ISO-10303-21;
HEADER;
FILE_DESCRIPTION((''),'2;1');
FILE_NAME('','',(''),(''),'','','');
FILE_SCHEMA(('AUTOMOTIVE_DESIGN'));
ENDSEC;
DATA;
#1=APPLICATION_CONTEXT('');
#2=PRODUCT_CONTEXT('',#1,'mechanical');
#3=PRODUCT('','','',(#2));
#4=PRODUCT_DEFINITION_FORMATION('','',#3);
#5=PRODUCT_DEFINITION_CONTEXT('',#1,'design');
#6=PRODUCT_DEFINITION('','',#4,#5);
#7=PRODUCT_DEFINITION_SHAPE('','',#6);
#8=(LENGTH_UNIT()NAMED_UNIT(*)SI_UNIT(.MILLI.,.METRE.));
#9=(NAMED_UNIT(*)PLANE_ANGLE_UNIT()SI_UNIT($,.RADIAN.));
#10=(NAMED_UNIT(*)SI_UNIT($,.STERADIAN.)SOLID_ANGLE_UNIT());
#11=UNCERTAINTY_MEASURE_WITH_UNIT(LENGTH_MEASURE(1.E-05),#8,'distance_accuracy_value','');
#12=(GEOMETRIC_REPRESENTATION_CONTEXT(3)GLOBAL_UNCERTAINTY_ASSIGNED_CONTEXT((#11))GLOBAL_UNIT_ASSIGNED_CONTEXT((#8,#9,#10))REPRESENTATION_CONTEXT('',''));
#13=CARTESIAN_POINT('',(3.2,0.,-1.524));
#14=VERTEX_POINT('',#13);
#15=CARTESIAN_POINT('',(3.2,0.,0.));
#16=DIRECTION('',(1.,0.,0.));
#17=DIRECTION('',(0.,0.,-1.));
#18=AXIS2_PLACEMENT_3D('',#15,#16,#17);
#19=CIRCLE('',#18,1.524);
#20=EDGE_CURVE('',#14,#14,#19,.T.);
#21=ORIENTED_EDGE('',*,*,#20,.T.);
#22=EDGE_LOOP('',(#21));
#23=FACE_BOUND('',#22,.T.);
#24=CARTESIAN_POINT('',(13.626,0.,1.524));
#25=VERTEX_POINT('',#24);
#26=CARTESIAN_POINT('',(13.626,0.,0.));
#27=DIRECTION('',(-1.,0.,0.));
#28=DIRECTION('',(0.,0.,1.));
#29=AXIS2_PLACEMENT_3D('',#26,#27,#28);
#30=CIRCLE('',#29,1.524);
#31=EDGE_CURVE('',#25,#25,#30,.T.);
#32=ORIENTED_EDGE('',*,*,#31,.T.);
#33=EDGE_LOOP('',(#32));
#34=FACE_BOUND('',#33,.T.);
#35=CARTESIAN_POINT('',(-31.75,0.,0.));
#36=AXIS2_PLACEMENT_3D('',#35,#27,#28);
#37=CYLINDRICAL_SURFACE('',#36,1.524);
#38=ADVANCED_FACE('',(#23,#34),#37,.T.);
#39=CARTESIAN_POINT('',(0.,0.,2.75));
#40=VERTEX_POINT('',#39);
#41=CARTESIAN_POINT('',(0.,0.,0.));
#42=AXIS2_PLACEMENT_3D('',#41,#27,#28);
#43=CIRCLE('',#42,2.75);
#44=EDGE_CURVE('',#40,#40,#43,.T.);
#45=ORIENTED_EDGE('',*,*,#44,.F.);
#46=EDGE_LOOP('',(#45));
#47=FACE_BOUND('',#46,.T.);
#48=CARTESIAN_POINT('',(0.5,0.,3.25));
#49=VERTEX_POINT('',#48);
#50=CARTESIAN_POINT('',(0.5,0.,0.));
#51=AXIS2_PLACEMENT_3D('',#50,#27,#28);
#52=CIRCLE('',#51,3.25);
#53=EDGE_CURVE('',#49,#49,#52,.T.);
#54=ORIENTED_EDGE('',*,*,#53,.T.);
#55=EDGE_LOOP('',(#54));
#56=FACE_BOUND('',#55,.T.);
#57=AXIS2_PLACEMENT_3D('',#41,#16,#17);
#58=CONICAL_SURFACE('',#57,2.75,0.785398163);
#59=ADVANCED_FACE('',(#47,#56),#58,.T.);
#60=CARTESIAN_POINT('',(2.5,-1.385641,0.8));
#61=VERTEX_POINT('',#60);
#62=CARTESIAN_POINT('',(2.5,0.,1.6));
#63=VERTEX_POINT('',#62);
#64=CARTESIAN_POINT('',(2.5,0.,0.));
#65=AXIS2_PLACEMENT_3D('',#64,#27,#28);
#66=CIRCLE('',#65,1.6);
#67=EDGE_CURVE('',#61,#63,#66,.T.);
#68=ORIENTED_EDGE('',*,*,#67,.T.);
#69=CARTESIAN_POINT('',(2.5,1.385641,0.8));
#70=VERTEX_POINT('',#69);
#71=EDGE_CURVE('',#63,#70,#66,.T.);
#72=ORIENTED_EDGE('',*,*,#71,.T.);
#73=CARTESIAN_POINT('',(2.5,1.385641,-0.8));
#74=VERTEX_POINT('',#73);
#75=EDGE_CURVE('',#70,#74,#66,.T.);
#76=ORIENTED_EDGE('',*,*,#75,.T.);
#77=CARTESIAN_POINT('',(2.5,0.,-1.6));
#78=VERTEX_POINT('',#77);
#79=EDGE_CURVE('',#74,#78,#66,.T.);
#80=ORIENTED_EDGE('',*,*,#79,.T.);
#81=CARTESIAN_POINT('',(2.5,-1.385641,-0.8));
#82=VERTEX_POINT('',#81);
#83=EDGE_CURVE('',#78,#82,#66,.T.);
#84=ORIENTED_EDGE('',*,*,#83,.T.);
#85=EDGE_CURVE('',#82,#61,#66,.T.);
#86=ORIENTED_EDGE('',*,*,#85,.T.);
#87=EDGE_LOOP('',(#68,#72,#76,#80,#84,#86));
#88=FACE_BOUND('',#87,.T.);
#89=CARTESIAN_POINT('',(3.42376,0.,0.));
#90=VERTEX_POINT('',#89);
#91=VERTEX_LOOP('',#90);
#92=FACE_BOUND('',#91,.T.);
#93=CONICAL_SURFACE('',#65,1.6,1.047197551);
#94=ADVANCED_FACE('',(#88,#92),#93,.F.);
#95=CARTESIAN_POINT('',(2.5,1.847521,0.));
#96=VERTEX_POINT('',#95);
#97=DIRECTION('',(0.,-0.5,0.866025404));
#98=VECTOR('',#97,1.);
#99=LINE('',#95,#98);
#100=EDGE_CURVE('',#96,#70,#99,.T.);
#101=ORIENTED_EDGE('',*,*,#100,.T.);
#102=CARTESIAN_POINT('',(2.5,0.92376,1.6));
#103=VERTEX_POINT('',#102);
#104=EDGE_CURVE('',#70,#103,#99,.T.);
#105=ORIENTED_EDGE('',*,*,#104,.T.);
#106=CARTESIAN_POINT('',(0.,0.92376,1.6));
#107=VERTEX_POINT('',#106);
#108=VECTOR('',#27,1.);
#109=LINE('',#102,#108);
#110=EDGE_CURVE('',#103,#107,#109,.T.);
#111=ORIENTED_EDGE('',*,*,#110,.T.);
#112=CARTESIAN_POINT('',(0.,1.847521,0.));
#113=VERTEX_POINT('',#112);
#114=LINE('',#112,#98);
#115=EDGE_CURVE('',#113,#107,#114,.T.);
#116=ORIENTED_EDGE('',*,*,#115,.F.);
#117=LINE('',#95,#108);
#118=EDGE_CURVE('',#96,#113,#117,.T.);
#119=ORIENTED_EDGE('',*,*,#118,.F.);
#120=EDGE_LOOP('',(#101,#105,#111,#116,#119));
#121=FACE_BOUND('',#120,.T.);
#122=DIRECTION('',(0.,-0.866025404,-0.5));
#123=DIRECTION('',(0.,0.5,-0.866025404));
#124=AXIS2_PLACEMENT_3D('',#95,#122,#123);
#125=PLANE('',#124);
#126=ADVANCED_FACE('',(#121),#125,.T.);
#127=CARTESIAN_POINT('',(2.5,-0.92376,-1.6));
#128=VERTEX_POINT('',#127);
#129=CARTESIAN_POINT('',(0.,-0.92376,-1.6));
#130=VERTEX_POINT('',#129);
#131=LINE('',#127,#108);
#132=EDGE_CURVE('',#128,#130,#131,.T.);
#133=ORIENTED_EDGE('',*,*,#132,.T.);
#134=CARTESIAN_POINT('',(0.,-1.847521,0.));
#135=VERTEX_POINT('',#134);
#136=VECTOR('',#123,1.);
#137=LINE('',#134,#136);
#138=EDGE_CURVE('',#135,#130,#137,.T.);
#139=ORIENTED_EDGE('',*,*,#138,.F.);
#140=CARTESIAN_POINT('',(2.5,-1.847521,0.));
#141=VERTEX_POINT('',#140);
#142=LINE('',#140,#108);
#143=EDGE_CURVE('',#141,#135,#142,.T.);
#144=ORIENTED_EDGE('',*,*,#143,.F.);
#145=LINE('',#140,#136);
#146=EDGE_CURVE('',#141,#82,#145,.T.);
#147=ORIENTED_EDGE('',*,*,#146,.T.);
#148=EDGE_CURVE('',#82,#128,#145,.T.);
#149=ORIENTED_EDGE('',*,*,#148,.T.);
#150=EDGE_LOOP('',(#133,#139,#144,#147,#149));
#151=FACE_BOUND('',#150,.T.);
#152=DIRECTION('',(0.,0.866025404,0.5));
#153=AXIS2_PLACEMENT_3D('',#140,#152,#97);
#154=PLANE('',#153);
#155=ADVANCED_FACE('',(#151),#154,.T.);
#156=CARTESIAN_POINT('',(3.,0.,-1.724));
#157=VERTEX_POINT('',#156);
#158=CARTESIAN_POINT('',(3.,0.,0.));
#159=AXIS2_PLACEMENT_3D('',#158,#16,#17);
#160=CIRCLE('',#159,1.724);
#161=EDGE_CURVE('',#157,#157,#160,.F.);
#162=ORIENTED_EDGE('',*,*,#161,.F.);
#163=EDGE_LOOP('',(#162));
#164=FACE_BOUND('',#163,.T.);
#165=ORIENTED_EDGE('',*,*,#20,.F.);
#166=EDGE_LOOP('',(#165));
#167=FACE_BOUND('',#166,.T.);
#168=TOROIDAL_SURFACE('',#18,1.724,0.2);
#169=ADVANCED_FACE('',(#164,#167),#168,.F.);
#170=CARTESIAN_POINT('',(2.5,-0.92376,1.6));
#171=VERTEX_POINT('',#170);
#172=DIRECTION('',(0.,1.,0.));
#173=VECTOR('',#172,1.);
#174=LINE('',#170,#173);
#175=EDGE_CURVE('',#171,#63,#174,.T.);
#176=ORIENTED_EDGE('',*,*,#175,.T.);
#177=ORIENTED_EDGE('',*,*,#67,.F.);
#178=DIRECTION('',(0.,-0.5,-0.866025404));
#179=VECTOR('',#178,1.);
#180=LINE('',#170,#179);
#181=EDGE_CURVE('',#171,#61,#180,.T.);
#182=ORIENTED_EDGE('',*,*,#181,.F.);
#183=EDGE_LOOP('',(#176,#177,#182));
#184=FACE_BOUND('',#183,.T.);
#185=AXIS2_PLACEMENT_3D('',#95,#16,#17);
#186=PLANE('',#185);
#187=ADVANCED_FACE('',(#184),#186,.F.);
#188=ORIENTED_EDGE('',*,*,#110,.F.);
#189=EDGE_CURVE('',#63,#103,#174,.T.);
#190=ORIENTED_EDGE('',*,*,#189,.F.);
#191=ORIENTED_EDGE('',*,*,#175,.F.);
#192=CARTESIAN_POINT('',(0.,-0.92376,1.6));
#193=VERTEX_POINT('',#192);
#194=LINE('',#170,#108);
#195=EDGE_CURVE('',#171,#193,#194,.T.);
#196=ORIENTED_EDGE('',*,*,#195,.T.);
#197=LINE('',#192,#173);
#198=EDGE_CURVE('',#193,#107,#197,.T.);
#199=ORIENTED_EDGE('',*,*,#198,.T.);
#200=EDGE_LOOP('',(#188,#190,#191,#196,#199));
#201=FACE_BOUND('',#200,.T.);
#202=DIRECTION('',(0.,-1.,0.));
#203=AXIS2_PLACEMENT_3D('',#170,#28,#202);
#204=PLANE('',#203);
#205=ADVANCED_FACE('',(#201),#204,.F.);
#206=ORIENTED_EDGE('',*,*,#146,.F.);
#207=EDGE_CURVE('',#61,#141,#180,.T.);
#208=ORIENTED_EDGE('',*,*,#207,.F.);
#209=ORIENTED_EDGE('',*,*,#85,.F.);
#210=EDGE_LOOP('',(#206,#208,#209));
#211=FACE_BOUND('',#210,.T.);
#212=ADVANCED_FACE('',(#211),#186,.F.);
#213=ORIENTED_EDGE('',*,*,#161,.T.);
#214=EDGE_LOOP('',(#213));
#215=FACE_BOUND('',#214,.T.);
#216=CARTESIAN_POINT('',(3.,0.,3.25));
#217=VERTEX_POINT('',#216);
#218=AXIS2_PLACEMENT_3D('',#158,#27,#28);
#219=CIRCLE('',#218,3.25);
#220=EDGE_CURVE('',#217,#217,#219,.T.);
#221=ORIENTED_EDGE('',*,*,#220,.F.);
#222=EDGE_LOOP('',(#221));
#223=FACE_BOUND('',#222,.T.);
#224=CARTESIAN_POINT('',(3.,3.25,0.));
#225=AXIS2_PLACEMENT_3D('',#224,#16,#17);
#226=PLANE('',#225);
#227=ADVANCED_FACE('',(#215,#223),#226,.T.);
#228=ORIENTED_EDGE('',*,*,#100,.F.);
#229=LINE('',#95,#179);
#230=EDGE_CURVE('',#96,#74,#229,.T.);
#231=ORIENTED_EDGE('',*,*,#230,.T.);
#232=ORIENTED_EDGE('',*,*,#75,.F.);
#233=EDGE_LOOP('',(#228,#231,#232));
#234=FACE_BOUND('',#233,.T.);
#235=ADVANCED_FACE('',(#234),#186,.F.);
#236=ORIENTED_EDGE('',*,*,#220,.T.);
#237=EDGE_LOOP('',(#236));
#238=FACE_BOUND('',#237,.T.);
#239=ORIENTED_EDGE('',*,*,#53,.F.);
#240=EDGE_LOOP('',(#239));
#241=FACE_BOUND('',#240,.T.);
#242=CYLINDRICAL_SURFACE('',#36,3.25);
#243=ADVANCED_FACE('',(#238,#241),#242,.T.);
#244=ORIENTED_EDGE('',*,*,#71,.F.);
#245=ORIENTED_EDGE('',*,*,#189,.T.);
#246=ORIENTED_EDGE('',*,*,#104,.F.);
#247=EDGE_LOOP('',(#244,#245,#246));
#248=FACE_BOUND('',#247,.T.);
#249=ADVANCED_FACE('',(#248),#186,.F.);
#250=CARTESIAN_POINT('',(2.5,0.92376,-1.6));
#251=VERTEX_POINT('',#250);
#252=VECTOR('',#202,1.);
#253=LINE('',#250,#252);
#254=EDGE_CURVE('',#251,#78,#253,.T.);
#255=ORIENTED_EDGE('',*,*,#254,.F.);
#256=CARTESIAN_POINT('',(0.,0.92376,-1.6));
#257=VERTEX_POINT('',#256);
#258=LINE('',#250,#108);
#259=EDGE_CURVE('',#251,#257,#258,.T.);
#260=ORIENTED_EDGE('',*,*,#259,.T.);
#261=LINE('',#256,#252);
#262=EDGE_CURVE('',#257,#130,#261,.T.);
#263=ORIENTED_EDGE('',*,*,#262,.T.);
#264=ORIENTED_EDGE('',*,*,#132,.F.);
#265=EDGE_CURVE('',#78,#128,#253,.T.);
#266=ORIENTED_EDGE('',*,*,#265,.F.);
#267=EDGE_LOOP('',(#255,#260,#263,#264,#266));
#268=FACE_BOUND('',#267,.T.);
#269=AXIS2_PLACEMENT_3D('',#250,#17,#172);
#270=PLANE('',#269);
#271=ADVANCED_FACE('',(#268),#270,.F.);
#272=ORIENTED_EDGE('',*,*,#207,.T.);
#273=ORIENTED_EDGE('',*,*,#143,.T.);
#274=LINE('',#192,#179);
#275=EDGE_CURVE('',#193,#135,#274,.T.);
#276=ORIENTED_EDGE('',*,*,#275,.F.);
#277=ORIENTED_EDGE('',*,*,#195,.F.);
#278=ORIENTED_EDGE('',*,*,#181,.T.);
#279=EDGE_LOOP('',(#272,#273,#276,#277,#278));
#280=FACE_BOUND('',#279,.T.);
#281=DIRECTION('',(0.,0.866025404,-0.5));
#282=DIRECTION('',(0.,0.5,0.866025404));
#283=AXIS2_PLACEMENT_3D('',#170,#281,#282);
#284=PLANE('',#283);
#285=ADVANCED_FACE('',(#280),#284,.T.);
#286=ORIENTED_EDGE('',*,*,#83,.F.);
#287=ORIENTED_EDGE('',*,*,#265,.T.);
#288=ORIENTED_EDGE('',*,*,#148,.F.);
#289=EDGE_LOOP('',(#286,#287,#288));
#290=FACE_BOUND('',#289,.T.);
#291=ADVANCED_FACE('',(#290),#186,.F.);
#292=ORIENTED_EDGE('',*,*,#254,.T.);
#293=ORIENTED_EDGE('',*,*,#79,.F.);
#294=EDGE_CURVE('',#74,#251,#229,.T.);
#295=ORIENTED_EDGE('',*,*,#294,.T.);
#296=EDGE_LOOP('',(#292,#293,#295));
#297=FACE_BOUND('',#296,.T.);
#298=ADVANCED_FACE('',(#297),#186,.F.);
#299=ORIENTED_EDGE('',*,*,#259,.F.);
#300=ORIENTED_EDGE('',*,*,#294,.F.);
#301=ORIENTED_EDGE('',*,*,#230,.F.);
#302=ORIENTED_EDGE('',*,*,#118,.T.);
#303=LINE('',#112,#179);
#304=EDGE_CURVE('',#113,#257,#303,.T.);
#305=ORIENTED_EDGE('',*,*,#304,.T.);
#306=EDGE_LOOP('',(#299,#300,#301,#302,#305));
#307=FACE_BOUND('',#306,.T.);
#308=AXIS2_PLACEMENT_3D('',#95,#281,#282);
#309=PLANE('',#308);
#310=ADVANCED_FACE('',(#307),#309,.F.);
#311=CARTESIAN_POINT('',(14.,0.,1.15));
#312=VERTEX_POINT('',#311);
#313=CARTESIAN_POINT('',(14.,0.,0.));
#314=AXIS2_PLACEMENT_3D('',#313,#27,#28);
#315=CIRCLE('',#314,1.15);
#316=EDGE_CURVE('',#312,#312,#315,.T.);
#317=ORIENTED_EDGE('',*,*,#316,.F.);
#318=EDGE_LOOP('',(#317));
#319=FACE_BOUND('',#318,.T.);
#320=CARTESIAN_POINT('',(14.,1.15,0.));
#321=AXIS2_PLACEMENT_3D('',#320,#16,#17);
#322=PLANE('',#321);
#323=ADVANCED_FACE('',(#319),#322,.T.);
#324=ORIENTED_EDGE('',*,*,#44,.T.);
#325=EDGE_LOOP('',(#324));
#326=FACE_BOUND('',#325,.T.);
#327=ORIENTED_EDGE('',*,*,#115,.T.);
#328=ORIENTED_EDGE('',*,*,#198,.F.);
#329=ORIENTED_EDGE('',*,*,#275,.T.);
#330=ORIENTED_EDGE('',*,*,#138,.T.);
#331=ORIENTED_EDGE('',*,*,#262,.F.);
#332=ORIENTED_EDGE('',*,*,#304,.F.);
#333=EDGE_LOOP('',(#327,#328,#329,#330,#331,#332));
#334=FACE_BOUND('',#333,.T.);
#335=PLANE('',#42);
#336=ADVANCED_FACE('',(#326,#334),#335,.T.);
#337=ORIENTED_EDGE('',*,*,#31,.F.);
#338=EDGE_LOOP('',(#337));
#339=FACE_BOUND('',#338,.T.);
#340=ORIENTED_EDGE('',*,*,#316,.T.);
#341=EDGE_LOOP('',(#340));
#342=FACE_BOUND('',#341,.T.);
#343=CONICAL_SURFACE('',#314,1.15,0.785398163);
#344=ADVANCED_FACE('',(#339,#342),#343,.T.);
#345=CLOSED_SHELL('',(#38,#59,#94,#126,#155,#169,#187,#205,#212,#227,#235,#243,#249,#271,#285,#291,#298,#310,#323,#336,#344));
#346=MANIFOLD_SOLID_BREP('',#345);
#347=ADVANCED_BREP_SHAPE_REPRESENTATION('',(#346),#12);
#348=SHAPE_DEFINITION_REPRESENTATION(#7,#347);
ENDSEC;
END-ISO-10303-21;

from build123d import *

# Parameters (mm, degrees)
FILLET1_R   = 0.2
HEX_2_DEPTH = 2.5


with BuildPart() as part:
    # BodySke → Base-Revolve (revolve)
    with BuildSketch(Plane.XY):
        Polygon((0, 0), (0, 2.75), (0.5, 3.25), (3, 3.25), (3, 1.524), (13.626, 1.524), (14, 1.15), (14, 0), align=None)
    revolve(axis=Axis((-31.75, 0, 0), (1, 0, 0)))

    # Fillet1
    fillet1_edges = [part.edges().sort_by_distance(p)[0] for p in [
        (3, -1.524, 0),
    ]]
    fillet(fillet1_edges, radius=FILLET1_R)

    # Sketch2 → Hex-PreBroach (revolve, cut)
    with BuildSketch(Plane.XY):
        Polygon((0, 1.6), (2.5, 1.6), (3.423760431, 0), (0, 0), align=None)
    revolve(axis=Axis((0, 0, 0), (1, 0, 0)), mode=Mode.SUBTRACT)

    # Sketch3 → Hex 2 (cut)
    with BuildSketch(Plane(origin=(0, 0, 0), x_dir=(0, 0.5, 0.866025404), z_dir=(-1, 0, 0))):
        Polygon((0.923760431, 1.6), (-0.923760431, 1.6), (-1.847520861, 0), (-0.923760431, -1.6), (0.923760431, -1.6), (1.847520861, 0), align=None)
    extrude(amount=-HEX_2_DEPTH, mode=Mode.SUBTRACT)


solid = part.part
